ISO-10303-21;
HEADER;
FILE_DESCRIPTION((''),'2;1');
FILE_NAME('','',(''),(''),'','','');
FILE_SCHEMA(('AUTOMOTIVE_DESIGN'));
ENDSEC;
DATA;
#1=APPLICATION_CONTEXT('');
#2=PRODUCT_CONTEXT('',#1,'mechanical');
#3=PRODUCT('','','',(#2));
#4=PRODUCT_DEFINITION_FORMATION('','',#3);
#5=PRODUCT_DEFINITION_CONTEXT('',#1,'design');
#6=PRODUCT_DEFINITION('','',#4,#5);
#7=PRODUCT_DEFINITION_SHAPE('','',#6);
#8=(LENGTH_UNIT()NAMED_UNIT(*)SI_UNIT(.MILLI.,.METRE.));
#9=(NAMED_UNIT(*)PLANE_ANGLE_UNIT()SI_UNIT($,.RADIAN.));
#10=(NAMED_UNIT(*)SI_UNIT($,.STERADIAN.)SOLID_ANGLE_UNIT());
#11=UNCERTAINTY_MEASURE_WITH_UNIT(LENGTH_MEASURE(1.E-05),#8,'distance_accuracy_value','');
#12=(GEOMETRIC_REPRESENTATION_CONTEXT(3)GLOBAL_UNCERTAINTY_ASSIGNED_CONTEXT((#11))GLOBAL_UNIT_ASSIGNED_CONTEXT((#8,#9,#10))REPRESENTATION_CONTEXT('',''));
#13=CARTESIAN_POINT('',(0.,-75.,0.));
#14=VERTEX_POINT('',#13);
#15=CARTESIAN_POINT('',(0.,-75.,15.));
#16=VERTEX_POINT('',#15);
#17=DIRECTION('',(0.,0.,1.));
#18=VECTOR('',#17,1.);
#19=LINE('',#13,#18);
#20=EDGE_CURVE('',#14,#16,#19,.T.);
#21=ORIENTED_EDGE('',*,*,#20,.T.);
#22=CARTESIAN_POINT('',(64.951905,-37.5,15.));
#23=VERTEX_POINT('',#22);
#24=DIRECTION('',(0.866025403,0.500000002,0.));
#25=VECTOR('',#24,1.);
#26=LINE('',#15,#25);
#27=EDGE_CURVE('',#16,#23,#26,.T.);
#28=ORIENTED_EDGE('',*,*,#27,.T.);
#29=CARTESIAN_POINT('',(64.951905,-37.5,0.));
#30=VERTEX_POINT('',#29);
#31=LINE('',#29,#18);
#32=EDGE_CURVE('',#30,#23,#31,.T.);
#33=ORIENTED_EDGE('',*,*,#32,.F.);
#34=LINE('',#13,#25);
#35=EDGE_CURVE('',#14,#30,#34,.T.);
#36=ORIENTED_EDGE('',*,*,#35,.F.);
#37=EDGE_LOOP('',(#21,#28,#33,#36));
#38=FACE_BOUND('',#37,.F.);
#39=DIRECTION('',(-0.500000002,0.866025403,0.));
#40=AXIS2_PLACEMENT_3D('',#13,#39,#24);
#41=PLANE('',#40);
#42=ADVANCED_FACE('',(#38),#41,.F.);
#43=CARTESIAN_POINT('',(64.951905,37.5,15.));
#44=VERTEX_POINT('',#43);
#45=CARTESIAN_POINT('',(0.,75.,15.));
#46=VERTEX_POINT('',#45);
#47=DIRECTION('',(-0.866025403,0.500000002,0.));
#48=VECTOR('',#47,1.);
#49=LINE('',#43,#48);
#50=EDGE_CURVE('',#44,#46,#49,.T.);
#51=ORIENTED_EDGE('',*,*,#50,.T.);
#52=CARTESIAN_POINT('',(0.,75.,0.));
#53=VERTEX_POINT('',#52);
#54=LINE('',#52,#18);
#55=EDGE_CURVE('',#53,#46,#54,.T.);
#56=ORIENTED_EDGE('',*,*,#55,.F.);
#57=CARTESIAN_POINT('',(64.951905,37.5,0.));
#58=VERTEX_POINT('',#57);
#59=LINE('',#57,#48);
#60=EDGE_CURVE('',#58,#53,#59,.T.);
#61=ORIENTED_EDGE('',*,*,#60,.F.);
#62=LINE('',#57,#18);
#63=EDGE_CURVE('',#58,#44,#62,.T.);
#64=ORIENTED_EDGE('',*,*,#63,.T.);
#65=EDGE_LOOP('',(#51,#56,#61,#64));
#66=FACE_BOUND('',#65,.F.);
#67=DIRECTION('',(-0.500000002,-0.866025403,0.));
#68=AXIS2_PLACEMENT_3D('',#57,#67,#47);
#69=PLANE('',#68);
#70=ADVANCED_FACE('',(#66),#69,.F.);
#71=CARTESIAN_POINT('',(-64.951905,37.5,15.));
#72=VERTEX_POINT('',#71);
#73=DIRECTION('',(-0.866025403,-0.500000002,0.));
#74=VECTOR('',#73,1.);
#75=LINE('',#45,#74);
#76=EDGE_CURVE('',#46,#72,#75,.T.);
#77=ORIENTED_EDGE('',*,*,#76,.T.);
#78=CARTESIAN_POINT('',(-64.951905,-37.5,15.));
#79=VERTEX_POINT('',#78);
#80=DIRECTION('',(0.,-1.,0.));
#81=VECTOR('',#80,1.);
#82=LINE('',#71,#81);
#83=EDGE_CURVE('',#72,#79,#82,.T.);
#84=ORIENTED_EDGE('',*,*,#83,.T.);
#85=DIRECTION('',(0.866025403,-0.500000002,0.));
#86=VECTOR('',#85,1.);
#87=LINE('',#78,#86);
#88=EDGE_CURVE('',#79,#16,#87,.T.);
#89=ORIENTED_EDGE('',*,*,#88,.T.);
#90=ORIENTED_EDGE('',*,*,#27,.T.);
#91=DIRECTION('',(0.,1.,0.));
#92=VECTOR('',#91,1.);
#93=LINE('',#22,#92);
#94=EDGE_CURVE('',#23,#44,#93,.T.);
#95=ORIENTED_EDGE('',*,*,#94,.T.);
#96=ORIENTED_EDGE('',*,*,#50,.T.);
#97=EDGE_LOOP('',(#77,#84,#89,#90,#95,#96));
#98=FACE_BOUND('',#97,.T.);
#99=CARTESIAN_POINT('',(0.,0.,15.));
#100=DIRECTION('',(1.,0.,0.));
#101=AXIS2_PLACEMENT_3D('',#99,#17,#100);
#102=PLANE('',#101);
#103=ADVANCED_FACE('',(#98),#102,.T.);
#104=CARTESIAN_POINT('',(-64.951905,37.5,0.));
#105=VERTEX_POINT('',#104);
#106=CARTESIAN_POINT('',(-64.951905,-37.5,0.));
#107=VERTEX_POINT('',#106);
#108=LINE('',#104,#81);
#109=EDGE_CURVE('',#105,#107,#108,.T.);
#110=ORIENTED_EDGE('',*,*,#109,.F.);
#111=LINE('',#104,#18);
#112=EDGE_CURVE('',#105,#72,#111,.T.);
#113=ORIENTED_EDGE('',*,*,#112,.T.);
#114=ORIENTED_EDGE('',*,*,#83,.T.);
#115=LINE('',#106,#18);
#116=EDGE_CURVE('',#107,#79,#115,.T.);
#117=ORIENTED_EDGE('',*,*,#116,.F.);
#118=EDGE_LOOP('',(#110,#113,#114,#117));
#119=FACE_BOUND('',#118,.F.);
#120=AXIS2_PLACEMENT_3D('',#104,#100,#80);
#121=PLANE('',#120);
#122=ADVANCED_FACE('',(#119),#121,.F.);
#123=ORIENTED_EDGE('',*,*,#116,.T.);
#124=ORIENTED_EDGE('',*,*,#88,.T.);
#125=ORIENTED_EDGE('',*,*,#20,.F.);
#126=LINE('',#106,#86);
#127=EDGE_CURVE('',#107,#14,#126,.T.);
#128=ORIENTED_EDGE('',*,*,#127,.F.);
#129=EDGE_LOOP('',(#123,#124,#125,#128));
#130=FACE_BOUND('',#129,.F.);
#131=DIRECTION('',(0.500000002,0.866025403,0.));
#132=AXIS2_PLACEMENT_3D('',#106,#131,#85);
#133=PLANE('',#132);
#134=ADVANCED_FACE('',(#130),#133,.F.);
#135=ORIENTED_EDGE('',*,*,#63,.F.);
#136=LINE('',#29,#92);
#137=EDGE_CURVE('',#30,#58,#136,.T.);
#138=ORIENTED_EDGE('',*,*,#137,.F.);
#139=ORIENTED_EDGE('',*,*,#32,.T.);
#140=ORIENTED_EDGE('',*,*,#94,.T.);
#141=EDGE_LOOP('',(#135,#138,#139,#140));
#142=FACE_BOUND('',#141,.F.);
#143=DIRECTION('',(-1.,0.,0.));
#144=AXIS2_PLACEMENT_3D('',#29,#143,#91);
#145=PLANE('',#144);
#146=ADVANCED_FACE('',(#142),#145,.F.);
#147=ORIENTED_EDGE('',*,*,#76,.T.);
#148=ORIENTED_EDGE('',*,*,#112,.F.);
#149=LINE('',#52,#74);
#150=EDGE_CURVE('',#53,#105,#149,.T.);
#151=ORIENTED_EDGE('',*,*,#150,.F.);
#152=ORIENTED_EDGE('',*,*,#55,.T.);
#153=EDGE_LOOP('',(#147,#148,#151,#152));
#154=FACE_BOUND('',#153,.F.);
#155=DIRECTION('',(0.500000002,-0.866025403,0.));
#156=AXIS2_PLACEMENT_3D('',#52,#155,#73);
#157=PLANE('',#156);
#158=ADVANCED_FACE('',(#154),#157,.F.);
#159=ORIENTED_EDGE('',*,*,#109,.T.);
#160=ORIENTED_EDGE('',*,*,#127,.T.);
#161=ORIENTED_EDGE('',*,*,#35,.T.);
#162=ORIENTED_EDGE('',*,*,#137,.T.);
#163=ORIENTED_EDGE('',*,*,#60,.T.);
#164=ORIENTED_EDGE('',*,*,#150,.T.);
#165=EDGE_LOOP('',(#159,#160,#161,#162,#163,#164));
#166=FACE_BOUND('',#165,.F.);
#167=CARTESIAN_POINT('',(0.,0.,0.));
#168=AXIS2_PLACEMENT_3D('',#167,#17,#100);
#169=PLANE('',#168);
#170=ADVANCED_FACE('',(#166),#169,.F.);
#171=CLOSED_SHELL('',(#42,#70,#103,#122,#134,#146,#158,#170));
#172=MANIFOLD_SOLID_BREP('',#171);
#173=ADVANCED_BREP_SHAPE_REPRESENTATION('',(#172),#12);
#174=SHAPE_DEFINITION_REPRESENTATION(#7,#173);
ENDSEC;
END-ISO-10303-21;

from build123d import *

# Parameters (mm, degrees)
PAD_DEPTH = 15


with BuildPart() as part:
    # Sketch → Pad (new body)
    with BuildSketch(Plane.XY):
        Polygon((64.951905, 37.5), (0, 75), (-64.951905, 37.5), (-64.951905, -37.5), (0, -75), (64.951905, -37.5), align=None)
    extrude(amount=PAD_DEPTH)


solid = part.part
